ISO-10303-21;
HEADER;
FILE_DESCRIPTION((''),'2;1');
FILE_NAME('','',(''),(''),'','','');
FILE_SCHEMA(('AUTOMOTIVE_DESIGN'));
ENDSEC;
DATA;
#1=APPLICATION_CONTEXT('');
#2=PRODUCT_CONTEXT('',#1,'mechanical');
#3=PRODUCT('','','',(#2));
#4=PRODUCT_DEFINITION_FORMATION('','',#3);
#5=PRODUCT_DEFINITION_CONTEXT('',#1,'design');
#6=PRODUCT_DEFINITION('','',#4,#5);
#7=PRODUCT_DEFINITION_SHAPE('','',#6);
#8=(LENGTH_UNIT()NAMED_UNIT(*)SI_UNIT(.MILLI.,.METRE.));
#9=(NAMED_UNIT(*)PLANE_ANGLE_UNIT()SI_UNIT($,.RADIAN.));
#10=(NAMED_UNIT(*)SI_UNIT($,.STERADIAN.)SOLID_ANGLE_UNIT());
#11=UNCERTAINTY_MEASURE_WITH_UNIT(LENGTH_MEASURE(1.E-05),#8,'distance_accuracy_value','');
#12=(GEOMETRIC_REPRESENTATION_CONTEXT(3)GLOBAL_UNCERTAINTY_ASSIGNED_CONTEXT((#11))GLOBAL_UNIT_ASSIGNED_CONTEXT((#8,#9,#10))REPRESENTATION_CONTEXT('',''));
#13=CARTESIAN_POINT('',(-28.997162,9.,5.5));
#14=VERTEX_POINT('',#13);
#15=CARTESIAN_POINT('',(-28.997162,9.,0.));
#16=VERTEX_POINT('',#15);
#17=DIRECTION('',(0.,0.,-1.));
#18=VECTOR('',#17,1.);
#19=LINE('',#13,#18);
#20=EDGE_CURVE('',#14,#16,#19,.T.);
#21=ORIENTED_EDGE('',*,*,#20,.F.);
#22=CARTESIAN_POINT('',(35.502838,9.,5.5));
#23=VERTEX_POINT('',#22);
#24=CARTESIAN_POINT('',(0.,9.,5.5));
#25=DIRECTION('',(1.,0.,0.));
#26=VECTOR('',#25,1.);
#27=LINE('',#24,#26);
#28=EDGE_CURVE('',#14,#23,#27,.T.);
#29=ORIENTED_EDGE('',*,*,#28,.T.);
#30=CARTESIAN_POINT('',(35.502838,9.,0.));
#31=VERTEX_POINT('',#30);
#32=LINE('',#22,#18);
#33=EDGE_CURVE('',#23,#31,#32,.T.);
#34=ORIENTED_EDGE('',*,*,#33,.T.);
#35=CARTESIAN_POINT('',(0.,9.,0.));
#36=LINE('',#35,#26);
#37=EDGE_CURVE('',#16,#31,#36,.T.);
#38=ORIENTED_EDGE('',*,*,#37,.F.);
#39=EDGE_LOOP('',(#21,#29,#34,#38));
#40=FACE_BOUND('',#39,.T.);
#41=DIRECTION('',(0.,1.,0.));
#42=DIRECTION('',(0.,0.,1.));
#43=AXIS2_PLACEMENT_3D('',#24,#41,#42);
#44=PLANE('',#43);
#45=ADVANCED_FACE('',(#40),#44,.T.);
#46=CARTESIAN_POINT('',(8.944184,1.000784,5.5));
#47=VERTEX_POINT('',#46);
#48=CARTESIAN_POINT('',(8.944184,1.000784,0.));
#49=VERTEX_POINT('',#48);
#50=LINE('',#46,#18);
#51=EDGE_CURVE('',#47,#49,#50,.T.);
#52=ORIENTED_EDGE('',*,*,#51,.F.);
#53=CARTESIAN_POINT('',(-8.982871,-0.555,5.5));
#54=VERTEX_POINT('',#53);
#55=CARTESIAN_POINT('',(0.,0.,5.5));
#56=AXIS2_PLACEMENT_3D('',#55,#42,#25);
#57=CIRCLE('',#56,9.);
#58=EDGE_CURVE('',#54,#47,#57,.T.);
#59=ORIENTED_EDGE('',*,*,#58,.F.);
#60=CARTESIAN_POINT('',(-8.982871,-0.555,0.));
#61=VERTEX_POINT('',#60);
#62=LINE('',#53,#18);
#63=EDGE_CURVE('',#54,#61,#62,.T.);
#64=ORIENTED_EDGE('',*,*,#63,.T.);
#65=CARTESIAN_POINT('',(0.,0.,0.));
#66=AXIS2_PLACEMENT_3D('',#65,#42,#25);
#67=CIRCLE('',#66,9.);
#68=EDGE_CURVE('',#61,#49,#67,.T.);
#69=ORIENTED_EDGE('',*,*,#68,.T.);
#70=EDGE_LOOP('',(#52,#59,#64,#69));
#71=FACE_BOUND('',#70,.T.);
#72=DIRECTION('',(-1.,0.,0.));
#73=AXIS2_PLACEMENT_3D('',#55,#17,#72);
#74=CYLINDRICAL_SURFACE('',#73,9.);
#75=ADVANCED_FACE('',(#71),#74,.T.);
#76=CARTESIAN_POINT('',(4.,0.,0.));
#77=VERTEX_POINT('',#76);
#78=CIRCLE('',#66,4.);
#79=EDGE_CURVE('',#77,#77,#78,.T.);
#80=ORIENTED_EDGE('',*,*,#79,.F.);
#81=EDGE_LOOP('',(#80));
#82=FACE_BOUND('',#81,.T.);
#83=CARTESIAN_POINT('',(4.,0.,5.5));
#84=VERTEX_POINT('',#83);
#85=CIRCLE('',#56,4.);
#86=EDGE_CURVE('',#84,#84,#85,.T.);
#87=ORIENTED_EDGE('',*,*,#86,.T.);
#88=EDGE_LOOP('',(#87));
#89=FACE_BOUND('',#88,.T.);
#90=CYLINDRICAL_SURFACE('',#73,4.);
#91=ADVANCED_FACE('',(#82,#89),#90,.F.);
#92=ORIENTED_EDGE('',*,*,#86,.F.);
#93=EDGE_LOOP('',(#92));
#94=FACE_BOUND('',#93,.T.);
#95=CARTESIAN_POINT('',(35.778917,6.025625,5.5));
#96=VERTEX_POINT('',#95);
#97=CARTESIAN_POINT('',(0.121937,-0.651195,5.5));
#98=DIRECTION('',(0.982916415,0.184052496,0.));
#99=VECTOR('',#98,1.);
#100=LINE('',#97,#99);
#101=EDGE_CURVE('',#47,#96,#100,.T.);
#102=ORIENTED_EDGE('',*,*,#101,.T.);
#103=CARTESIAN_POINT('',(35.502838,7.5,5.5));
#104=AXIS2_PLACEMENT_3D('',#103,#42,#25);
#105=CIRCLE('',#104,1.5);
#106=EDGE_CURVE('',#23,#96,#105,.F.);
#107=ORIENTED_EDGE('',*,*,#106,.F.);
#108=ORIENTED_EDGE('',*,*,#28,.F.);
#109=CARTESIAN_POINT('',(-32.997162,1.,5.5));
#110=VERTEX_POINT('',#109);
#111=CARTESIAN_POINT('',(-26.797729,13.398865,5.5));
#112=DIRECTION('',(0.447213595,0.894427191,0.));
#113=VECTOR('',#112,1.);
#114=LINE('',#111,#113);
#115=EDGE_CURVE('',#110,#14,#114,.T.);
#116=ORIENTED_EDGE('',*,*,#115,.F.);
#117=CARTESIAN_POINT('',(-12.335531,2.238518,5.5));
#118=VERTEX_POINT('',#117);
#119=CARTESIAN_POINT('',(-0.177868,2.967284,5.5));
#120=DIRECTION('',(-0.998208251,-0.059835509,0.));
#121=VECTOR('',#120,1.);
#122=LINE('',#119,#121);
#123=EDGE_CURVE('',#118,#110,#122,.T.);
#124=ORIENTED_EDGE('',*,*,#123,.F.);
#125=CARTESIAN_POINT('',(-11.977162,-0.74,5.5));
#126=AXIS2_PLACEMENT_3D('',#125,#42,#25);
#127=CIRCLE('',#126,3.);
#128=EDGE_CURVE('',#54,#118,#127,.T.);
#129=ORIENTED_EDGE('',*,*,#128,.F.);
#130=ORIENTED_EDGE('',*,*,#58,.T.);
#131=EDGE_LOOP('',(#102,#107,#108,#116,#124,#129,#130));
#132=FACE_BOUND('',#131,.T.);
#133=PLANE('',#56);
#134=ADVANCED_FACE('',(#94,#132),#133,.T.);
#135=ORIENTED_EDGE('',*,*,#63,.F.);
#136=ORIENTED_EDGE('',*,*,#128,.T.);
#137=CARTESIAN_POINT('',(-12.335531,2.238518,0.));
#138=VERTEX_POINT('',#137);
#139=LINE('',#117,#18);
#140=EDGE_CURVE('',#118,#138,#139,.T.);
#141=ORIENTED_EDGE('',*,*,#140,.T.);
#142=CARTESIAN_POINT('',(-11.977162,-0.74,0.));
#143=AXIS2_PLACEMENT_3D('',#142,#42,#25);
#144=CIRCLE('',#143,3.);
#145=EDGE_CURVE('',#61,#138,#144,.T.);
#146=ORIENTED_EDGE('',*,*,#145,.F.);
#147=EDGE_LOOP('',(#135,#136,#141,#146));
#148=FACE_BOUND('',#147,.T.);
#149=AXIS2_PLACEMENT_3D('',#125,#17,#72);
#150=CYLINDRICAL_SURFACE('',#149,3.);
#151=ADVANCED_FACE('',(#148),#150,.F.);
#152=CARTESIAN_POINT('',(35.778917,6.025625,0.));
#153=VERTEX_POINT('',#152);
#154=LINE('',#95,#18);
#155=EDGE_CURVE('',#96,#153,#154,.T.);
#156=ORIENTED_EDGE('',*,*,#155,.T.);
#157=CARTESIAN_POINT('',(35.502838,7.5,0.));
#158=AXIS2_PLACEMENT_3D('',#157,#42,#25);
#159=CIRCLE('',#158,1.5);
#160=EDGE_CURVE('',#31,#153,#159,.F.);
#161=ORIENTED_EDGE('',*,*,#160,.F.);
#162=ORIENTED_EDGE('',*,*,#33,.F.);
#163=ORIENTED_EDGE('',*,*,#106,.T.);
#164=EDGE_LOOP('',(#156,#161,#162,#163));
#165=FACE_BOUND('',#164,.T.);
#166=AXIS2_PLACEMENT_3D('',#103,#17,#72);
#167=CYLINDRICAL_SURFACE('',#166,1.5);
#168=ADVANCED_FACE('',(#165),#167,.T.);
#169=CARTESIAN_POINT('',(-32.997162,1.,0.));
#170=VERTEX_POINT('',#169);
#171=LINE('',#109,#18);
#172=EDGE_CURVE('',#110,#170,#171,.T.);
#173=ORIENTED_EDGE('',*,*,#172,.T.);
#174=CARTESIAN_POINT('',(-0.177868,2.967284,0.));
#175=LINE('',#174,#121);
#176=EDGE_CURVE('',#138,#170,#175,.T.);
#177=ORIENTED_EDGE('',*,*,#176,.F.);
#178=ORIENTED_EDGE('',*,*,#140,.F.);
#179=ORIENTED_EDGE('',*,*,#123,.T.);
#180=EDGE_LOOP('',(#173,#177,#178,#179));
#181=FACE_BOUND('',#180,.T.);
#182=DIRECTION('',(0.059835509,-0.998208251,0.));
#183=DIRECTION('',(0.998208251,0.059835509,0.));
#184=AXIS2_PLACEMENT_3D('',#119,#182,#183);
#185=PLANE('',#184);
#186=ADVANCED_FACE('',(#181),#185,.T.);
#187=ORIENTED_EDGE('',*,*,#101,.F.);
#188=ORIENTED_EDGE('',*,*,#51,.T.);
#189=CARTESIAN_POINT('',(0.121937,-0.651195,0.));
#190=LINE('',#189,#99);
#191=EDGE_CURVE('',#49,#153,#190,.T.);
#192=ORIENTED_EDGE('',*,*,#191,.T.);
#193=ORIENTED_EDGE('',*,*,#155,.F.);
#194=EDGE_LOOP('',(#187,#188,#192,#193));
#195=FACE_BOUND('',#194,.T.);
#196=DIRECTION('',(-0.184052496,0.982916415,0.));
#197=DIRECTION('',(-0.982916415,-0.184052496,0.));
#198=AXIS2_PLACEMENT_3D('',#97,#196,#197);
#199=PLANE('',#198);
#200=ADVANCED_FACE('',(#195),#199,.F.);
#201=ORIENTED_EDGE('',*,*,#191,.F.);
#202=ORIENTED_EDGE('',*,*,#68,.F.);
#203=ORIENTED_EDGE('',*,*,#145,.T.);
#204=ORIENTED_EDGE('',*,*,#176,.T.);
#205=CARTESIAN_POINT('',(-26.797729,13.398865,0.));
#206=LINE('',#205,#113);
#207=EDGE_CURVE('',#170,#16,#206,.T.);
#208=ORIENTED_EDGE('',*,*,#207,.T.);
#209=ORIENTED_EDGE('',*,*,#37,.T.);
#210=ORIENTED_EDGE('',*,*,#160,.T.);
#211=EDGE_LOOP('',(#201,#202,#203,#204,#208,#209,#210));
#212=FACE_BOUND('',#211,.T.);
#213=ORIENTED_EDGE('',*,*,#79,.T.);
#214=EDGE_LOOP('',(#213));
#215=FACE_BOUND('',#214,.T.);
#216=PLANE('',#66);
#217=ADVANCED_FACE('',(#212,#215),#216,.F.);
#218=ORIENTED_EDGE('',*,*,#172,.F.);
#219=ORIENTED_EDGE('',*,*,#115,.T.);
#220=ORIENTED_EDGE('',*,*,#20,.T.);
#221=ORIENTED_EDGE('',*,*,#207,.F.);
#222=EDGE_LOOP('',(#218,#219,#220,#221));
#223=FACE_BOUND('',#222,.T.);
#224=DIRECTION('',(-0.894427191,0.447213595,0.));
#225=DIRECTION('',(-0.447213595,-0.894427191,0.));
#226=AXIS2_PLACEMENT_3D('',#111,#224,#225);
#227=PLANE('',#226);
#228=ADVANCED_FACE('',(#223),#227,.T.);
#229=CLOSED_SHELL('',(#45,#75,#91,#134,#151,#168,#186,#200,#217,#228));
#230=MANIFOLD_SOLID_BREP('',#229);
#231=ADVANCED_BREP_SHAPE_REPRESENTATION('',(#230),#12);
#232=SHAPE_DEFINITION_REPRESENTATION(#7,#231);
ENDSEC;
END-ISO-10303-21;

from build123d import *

# Parameters (mm, degrees)
SKETCH1_R           = 4
BOSS_EXTRUDE1_DEPTH = 5.5


with BuildPart() as part:
    # Sketch1 → Boss-Extrude1 (new body)
    with BuildSketch(Plane.XY):
        with BuildLine():
            ThreePointArc((-12.335531392, 2.238518271), (-12.156668127, 2.254624752), (-11.9771616, 2.26))
            ThreePointArc((-11.9771616, 2.26), (-9.922289344, 1.445749302), (-8.982871201, -0.554999992))
            ThreePointArc((-8.982871201, -0.554999992), (0.778132217, -8.966298582), (8.944184276, 1.000783512))
            Line((8.944184276, 1.000783512), (35.778917143, 6.025625378))
            ThreePointArc((35.778917143, 6.025625378), (36.996418316, 7.638632727), (35.5028384, 9))
            Line((35.5028384, 9), (-28.9971616, 9))
            Line((-28.9971616, 9), (-32.9971616, 1))
            Line((-32.9971616, 1), (-12.335531392, 2.238518271))
        make_face()
        Circle(SKETCH1_R, mode=Mode.SUBTRACT)
    extrude(amount=BOSS_EXTRUDE1_DEPTH)


solid = part.part
